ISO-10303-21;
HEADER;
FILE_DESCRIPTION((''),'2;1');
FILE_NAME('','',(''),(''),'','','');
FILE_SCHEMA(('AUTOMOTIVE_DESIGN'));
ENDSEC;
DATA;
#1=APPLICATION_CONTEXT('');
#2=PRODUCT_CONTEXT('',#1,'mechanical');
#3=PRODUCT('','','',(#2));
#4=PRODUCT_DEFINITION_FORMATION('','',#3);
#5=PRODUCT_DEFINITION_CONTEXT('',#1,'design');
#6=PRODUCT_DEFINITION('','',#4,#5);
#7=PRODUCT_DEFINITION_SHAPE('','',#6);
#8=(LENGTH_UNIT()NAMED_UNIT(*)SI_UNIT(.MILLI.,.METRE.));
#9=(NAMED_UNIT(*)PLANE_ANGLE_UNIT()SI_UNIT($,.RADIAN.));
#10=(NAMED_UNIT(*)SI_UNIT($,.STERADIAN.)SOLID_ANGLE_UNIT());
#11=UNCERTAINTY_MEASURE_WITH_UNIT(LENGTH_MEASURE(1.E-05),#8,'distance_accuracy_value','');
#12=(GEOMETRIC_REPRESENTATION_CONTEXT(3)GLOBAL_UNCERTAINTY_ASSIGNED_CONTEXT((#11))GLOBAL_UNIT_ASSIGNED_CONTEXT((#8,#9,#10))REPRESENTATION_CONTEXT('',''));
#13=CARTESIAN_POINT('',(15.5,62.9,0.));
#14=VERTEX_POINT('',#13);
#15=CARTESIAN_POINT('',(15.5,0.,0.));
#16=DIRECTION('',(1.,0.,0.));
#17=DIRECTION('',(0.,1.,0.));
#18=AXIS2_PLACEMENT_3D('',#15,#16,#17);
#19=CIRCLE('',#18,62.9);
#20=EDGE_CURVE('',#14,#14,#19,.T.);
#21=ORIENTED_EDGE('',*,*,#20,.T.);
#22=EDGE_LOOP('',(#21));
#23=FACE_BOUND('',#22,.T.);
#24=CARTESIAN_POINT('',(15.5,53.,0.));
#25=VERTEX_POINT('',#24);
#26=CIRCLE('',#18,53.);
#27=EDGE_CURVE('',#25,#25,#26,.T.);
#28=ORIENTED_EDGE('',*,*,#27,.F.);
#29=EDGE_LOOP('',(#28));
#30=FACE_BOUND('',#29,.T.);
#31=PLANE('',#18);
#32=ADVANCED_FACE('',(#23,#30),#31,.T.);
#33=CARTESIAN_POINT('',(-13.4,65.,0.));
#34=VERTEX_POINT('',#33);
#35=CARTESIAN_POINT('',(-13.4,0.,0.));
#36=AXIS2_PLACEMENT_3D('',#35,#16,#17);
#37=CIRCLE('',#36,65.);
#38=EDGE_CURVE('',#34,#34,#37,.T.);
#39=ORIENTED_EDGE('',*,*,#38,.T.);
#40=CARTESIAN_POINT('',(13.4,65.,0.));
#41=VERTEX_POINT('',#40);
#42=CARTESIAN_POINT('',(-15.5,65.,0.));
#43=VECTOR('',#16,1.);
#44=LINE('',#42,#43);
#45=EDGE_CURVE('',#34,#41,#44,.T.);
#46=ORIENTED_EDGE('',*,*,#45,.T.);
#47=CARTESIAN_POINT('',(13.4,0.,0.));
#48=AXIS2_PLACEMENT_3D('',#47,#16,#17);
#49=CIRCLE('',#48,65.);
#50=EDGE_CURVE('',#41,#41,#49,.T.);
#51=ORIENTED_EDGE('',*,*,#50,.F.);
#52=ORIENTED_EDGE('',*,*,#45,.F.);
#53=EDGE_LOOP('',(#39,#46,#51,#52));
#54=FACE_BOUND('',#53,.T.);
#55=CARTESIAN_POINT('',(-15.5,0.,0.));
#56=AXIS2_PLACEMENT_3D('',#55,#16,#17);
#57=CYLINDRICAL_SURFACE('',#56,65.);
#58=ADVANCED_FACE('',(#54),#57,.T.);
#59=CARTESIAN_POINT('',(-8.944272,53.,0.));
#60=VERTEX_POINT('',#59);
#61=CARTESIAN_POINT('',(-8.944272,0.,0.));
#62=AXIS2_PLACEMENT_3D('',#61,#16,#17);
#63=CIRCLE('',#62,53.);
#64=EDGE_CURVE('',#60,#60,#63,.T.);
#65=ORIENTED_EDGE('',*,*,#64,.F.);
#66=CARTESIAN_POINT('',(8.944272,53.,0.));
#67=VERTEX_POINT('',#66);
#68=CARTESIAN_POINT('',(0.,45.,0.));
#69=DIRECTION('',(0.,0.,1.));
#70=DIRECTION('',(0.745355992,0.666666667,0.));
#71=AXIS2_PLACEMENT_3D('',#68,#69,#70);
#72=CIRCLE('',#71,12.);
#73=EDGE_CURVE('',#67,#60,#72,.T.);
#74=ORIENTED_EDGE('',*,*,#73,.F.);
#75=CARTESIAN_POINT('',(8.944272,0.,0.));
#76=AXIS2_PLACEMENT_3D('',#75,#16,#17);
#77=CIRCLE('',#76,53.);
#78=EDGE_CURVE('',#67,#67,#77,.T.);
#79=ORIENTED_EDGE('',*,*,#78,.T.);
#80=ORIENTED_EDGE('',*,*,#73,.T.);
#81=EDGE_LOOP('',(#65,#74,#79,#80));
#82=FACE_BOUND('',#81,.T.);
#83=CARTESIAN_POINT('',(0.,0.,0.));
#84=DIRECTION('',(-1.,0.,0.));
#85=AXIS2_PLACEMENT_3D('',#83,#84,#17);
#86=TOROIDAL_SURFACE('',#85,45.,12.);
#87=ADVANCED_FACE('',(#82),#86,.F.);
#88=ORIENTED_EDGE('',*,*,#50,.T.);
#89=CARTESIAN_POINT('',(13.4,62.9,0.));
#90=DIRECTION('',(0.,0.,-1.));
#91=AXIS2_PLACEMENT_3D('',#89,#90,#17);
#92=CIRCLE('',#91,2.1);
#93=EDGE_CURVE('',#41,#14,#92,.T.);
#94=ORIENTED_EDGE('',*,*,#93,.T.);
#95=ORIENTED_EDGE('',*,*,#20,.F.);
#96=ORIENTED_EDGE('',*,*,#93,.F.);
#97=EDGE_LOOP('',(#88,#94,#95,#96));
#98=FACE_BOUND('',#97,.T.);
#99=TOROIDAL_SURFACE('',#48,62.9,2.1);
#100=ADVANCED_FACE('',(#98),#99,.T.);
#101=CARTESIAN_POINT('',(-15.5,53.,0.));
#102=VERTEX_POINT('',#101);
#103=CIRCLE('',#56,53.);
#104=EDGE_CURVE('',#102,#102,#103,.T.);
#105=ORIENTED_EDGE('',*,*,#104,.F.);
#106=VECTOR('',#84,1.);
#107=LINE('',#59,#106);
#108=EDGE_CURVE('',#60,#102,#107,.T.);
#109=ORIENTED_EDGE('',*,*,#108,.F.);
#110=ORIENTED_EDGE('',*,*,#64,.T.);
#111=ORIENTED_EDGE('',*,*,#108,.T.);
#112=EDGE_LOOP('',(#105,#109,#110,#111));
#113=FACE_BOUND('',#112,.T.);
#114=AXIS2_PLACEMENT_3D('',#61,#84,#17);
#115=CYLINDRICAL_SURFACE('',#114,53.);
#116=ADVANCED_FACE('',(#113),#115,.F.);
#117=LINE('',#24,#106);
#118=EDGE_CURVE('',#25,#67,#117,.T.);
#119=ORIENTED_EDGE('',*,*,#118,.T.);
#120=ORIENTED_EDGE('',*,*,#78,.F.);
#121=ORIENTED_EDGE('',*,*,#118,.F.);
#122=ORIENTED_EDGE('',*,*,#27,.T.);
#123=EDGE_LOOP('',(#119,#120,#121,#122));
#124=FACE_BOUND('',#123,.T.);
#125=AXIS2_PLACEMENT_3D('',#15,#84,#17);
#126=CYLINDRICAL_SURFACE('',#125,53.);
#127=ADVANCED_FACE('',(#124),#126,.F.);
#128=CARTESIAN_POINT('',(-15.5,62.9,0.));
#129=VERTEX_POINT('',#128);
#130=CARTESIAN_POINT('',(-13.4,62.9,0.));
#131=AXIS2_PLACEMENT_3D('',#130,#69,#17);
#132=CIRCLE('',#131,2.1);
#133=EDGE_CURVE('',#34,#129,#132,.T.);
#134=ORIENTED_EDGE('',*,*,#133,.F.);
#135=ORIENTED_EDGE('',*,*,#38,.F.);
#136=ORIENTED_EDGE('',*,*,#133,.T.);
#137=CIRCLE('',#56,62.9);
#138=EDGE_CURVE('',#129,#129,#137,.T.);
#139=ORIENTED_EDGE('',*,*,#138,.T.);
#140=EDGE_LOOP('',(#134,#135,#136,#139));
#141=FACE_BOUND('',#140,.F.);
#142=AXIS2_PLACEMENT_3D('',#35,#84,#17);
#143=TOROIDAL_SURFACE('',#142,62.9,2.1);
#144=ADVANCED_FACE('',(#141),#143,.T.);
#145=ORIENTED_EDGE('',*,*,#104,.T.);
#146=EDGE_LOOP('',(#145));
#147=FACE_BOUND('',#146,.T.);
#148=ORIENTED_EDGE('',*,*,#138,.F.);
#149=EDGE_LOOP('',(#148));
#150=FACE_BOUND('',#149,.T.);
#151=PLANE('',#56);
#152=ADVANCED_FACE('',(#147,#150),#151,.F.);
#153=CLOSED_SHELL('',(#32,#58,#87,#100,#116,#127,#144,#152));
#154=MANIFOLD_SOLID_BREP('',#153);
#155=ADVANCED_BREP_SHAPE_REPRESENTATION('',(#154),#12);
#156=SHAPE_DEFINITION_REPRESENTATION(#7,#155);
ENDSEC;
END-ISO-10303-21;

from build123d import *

# Parameters (mm, degrees)
FILLET1_R = 2.1


with BuildPart() as part:
    # Sketch1 → Revolve1 (revolve)
    with BuildSketch(Plane.XY):
        with BuildLine():
            Line((-15.5, 65), (15.5, 65))
            Line((15.5, 65), (15.5, 53))
            Line((15.5, 53), (8.94427191, 53))
            ThreePointArc((8.94427191, 53), (0, 57), (-8.94427191, 53))
            Line((-8.94427191, 53), (-15.5, 53))
            Line((-15.5, 53), (-15.5, 65))
        make_face()
    revolve(axis=Axis((-9.392847635, 0, 0), (1, 0, 0)))

    # Fillet1
    fillet1_edges = [part.edges().sort_by_distance(p)[0] for p in [
        (15.5, -65, 0),
        (-15.5, -65, 0),
    ]]
    fillet(fillet1_edges, radius=FILLET1_R)


solid = part.part
